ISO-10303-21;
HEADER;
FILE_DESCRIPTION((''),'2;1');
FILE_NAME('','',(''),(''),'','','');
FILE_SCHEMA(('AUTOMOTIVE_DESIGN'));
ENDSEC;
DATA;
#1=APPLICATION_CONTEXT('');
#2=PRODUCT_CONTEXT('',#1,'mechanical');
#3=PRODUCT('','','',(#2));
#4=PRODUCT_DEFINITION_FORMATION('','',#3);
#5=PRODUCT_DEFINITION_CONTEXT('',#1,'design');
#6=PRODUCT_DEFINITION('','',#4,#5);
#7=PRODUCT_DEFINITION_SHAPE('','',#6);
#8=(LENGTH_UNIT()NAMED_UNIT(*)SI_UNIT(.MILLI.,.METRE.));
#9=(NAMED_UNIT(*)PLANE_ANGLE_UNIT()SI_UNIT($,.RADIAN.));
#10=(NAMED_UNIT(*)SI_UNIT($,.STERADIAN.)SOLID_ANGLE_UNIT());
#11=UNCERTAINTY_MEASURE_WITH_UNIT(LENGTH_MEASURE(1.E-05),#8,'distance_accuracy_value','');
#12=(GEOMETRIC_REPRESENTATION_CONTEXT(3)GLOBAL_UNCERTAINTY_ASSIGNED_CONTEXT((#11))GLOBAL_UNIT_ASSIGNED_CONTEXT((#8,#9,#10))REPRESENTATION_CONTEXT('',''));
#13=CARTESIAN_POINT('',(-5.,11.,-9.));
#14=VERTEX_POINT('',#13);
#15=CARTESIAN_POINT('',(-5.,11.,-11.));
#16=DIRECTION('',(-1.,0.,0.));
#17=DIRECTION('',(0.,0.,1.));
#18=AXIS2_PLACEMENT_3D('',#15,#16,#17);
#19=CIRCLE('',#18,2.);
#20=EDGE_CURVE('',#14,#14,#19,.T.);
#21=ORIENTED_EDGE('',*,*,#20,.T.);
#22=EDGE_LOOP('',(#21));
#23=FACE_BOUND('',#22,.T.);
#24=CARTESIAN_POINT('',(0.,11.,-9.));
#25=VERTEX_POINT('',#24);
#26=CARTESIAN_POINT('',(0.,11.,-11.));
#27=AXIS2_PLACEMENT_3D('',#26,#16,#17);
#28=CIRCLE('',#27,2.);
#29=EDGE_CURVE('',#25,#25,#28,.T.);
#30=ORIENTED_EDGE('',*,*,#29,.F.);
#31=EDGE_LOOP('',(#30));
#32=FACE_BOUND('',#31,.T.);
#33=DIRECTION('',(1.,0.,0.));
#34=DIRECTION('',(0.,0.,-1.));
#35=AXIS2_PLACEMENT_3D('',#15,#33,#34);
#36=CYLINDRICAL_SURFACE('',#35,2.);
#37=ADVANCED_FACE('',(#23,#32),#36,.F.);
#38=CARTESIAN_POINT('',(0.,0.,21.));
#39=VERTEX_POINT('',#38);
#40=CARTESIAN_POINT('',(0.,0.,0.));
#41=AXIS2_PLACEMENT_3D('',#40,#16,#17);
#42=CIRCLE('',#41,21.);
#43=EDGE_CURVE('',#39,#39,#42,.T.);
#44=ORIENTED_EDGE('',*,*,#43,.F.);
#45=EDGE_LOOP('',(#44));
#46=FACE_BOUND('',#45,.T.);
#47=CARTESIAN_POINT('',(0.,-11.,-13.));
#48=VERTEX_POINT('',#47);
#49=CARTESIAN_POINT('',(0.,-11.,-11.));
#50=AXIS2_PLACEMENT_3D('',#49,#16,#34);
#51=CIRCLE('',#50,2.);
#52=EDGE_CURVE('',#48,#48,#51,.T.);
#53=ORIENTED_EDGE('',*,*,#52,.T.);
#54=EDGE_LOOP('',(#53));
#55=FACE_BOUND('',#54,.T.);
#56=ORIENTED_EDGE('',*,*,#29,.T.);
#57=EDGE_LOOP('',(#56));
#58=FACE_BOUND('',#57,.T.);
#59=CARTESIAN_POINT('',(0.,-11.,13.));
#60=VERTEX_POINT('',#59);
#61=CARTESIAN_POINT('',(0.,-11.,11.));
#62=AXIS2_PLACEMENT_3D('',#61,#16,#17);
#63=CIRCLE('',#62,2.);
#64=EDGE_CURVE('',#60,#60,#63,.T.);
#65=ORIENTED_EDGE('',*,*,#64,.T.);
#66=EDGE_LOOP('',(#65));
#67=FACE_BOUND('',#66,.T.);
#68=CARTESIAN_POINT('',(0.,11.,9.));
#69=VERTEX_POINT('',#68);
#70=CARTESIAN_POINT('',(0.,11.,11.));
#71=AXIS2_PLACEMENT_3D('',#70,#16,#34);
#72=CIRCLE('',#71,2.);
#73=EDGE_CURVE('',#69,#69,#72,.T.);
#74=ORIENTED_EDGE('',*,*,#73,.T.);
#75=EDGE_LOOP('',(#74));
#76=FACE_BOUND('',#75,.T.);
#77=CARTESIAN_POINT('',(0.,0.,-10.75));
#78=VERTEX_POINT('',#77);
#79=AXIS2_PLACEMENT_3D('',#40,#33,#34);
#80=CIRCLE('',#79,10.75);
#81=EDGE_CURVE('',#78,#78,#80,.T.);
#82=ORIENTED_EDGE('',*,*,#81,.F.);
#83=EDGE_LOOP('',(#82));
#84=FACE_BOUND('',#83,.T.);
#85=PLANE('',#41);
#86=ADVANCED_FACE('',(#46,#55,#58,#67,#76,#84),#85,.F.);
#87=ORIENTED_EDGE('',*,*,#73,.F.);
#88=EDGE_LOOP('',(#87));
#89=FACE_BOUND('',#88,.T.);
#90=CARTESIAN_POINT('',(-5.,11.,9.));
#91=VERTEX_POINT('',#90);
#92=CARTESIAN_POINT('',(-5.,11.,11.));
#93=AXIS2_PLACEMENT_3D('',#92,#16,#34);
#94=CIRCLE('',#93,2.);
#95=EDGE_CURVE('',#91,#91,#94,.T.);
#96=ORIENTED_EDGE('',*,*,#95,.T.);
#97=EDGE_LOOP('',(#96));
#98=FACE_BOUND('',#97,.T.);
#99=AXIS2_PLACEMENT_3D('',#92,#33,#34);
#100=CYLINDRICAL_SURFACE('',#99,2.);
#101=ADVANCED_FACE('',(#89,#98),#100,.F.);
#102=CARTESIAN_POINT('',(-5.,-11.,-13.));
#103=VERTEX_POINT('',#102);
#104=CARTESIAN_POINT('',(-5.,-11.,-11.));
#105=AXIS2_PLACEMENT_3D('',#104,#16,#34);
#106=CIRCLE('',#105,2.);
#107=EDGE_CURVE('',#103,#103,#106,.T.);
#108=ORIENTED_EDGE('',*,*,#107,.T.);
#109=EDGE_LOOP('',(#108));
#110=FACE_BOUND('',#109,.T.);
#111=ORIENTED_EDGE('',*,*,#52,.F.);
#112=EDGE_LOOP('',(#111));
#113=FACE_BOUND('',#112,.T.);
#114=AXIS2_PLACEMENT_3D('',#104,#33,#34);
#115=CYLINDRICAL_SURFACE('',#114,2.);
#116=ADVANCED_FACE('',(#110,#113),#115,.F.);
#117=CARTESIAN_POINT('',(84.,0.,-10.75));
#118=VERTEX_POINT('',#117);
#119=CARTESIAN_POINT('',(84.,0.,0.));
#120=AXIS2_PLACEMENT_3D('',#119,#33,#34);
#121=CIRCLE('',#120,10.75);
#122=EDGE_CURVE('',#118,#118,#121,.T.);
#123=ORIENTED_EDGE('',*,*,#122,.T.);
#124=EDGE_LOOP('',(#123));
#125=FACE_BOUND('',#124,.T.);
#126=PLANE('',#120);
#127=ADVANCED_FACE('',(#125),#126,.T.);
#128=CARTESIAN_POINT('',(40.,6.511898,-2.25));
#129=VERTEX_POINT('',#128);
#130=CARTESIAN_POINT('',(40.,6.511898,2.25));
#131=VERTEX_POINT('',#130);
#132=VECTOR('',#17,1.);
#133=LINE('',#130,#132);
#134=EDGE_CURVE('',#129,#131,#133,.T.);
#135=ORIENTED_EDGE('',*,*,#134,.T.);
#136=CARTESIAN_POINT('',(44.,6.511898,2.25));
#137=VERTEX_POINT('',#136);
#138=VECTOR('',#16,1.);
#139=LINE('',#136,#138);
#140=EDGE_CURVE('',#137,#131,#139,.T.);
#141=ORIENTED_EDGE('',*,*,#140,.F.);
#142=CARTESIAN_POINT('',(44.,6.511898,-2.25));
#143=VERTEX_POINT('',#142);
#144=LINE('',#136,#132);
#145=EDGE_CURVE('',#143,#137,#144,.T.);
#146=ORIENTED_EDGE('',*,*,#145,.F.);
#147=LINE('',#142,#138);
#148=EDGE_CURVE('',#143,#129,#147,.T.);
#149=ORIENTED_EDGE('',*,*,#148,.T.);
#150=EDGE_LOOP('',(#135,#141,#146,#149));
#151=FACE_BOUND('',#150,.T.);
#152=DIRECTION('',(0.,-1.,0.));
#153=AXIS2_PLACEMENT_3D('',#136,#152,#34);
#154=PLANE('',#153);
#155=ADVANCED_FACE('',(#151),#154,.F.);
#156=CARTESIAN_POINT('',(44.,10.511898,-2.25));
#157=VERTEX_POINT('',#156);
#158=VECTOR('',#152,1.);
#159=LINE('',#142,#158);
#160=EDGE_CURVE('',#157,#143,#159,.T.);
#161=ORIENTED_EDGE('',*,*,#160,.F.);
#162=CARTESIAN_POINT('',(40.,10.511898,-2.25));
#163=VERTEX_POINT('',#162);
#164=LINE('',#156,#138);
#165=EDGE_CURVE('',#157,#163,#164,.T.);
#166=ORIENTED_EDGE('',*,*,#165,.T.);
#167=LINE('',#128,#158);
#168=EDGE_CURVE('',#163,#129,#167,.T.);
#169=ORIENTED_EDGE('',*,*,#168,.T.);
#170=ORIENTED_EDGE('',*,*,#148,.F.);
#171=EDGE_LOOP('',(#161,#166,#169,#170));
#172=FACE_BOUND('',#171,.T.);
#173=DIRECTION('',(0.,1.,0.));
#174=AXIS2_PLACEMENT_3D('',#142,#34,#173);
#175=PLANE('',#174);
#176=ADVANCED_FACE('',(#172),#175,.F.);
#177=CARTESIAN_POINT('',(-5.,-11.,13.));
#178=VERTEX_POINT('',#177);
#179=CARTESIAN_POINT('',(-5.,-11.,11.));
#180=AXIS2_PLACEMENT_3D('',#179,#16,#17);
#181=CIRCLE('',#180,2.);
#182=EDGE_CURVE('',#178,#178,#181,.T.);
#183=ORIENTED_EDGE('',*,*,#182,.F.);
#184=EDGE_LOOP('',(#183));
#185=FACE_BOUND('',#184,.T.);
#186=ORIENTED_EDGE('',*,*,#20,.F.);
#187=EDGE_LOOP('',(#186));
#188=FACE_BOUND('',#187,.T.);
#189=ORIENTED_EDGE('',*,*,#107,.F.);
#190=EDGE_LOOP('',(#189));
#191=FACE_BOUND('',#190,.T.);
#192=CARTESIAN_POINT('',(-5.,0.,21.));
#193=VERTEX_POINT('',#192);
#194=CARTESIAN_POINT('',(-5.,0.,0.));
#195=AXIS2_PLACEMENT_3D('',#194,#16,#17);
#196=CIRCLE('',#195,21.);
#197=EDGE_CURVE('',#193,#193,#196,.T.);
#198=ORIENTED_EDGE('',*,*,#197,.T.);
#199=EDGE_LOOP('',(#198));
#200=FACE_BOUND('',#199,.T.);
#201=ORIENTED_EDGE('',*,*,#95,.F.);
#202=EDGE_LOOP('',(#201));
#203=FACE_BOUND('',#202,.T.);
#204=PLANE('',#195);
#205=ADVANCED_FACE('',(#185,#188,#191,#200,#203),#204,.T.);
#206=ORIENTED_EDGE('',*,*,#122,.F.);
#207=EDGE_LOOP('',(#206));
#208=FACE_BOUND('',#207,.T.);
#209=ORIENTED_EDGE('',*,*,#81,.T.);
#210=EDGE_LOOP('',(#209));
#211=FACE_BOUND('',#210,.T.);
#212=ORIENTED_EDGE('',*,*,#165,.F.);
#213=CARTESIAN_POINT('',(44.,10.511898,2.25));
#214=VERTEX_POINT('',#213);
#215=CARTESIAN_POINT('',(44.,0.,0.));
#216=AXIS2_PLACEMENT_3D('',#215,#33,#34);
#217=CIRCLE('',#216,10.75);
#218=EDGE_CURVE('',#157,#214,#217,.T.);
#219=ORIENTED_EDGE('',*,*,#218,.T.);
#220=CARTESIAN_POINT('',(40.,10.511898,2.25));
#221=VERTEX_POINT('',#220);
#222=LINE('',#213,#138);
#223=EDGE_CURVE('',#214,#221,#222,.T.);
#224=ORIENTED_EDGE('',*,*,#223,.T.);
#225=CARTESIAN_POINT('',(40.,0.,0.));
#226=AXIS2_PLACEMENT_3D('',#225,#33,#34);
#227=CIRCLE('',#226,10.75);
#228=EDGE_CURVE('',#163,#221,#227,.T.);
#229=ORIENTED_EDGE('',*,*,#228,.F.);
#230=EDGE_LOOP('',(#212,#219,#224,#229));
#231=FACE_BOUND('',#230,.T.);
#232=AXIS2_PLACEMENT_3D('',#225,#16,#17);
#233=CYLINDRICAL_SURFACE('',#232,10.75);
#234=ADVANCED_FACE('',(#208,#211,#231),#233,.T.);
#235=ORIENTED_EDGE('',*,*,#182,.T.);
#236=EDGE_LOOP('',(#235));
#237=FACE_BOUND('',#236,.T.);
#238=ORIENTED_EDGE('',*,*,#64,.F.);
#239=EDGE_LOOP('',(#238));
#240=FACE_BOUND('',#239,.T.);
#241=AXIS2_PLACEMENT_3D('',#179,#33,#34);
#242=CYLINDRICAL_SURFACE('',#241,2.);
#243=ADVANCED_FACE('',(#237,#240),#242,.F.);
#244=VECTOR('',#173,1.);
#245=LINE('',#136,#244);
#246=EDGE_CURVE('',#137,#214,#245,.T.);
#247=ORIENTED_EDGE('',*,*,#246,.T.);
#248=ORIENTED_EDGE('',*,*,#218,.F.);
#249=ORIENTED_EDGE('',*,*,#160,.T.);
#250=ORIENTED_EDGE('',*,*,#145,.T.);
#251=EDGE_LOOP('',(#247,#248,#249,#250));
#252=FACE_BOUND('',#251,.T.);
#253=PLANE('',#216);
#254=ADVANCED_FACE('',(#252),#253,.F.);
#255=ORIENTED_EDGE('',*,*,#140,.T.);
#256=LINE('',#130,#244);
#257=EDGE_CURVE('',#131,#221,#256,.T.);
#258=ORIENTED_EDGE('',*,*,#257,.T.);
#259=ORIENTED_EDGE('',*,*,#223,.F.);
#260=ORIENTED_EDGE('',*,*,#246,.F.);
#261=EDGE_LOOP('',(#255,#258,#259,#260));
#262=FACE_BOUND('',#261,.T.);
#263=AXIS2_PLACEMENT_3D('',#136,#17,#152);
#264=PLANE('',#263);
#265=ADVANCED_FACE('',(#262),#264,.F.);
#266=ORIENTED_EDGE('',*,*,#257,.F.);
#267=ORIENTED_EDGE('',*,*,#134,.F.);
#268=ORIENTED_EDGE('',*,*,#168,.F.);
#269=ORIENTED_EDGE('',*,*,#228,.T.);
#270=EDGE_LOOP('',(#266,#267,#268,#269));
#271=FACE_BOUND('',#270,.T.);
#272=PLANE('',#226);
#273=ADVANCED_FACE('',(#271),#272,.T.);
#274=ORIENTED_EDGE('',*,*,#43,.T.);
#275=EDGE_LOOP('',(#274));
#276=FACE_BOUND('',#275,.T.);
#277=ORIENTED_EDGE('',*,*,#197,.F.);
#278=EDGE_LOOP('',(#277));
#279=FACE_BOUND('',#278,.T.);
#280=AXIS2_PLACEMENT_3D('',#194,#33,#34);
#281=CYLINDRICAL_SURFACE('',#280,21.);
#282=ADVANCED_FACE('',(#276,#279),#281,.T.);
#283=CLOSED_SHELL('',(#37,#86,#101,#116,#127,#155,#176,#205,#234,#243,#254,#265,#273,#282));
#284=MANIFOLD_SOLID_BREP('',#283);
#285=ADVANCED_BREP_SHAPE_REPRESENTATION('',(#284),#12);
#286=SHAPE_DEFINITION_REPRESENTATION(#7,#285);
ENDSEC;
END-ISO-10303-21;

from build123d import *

# Parameters (mm, degrees)
SKETCH1_R           = 10.75
BOSS_EXTRUDE1_DEPTH = 40
SKETCH4_R           = 21
SKETCH4_R_2         = 2
BOSS_EXTRUDE3_DEPTH = 5
BOSS_EXTRUDE5_DEPTH = 4
SKETCH7_R           = 10.75
BOSS_EXTRUDE6_DEPTH = 40


with BuildPart() as part:
    # Sketch1 → Boss-Extrude1 (new body)
    with BuildSketch(Plane(origin=(0, 0, 0), x_dir=(0, 0, -1), z_dir=(1, 0, 0))):
        Circle(SKETCH1_R)
    extrude(amount=BOSS_EXTRUDE1_DEPTH)

    # Sketch4 → Boss-Extrude3 (add)
    with BuildSketch(Plane.ZY):
        Circle(SKETCH4_R)
        with Locations((-11, 11)):
            Circle(SKETCH4_R_2, mode=Mode.SUBTRACT)
        with Locations((11, 11)):
            Circle(SKETCH4_R_2, mode=Mode.SUBTRACT)
        with Locations((11, -11)):
            Circle(SKETCH4_R_2, mode=Mode.SUBTRACT)
        with Locations((-11, -11)):
            Circle(SKETCH4_R_2, mode=Mode.SUBTRACT)
    extrude(amount=BOSS_EXTRUDE3_DEPTH)

    # Sketch6 → Boss-Extrude5 (add)
    with BuildSketch(Plane(origin=(40, 0, 0), x_dir=(0, 0, -1), z_dir=(1, 0, 0))):
        with BuildLine():
            Line((-2.25, 6.511898021), (2.25, 6.511898021))
            Line((2.25, 6.511898021), (2.25, 10.511898021))
            ThreePointArc((2.25, 10.511898021), (0, -10.75), (-2.25, 10.511898021))
            Line((-2.25, 10.511898021), (-2.25, 6.511898021))
        make_face()
    extrude(amount=BOSS_EXTRUDE5_DEPTH)

    # Sketch7 → Boss-Extrude6 (add)
    with BuildSketch(Plane(origin=(44, 0, 0), x_dir=(0, 0, -1), z_dir=(1, 0, 0))):
        Circle(SKETCH7_R)
    extrude(amount=BOSS_EXTRUDE6_DEPTH)


solid = part.part
